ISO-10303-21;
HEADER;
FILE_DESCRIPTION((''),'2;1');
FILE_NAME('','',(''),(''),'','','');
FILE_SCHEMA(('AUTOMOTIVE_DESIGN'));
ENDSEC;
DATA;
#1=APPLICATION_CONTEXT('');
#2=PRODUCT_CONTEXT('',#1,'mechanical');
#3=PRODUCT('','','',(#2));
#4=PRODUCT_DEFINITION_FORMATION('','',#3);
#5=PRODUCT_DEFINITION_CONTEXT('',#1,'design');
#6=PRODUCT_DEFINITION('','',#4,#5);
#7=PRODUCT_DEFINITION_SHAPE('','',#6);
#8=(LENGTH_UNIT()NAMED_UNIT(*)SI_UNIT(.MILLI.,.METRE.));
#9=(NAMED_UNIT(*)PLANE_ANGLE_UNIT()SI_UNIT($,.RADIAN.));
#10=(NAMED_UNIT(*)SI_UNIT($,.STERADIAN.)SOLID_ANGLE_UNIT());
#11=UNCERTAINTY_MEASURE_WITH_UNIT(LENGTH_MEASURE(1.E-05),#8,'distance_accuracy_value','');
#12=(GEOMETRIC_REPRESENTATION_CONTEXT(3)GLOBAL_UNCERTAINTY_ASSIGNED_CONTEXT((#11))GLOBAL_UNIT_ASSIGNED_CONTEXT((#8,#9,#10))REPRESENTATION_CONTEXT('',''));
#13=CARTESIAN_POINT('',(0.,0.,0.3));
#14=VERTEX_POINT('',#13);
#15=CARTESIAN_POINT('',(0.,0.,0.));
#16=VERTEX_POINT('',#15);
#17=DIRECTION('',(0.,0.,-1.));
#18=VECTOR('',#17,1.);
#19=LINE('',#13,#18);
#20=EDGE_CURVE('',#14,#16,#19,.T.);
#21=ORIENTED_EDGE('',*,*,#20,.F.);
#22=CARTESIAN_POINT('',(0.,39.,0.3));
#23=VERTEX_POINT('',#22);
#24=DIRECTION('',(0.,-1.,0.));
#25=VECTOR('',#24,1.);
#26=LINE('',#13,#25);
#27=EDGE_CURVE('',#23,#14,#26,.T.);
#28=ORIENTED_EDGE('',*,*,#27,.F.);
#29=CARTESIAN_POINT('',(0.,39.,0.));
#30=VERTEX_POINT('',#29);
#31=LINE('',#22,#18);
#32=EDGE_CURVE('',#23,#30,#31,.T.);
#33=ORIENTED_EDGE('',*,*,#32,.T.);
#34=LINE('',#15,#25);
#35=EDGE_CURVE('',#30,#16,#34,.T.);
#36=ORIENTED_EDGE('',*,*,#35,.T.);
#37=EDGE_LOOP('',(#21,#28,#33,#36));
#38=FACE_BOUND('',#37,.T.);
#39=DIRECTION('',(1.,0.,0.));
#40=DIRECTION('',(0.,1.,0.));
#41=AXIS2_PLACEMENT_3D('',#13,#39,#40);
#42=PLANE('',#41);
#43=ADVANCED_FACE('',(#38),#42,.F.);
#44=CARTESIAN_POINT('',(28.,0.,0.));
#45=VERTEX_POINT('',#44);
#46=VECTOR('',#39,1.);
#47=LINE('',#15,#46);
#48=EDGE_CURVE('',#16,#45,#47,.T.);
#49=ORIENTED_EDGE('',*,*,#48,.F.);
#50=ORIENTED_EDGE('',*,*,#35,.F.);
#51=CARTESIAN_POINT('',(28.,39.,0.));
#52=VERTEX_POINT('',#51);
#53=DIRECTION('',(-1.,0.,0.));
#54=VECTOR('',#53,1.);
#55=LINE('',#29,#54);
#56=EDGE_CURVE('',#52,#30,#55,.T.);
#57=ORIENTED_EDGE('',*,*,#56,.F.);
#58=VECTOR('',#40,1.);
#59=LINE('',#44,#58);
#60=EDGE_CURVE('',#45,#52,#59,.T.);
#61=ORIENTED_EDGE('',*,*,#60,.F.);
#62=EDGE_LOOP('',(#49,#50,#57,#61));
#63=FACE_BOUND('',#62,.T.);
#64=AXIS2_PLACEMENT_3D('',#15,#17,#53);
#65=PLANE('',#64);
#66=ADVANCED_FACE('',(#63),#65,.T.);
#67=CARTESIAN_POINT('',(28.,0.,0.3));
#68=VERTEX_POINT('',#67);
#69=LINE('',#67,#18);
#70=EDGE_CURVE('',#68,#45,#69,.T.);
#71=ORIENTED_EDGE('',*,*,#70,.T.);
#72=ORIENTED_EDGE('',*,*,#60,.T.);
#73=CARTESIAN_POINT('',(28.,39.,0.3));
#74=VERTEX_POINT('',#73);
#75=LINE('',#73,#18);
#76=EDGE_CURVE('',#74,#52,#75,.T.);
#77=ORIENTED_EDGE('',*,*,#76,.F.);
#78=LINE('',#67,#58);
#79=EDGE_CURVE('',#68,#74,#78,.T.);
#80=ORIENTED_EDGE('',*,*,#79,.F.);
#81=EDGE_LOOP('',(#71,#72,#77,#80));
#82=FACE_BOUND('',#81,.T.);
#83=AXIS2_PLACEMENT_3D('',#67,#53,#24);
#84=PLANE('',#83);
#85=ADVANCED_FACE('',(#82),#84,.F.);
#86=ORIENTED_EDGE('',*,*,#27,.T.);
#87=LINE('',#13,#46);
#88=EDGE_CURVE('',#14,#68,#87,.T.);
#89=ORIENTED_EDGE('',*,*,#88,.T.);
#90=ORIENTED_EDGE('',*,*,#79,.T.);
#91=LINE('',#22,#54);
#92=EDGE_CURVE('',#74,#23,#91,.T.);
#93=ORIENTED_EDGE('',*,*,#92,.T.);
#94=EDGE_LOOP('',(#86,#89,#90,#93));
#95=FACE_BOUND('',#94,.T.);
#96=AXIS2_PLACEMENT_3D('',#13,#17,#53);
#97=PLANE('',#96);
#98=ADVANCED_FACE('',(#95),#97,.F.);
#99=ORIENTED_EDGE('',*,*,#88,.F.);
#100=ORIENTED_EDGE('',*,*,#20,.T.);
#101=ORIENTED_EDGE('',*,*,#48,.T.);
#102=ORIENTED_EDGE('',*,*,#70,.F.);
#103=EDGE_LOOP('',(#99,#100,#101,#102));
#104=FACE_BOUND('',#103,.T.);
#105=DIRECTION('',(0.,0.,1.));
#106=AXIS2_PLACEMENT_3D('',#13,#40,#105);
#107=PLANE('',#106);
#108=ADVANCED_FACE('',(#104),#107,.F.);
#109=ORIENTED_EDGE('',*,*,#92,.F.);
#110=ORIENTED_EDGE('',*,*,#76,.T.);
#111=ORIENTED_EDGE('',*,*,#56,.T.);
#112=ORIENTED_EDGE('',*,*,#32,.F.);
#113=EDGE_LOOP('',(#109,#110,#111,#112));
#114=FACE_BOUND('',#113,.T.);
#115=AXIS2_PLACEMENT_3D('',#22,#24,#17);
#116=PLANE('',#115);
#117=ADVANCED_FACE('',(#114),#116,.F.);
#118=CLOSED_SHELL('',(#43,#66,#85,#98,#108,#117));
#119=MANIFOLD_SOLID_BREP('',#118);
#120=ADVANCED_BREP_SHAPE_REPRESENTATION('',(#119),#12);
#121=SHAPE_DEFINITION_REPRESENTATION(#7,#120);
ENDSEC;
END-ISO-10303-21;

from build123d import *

# Parameters (mm, degrees)
SKETCH1_W           = 28
SKETCH1_H           = 39
BOSS_EXTRUDE1_DEPTH = 0.3


with BuildPart() as part:
    # Sketch1 → Boss-Extrude1 (new body)
    with BuildSketch(Plane.XY):
        with Locations((14, 19.5)):
            Rectangle(SKETCH1_W, SKETCH1_H)
    extrude(amount=BOSS_EXTRUDE1_DEPTH)


solid = part.part
